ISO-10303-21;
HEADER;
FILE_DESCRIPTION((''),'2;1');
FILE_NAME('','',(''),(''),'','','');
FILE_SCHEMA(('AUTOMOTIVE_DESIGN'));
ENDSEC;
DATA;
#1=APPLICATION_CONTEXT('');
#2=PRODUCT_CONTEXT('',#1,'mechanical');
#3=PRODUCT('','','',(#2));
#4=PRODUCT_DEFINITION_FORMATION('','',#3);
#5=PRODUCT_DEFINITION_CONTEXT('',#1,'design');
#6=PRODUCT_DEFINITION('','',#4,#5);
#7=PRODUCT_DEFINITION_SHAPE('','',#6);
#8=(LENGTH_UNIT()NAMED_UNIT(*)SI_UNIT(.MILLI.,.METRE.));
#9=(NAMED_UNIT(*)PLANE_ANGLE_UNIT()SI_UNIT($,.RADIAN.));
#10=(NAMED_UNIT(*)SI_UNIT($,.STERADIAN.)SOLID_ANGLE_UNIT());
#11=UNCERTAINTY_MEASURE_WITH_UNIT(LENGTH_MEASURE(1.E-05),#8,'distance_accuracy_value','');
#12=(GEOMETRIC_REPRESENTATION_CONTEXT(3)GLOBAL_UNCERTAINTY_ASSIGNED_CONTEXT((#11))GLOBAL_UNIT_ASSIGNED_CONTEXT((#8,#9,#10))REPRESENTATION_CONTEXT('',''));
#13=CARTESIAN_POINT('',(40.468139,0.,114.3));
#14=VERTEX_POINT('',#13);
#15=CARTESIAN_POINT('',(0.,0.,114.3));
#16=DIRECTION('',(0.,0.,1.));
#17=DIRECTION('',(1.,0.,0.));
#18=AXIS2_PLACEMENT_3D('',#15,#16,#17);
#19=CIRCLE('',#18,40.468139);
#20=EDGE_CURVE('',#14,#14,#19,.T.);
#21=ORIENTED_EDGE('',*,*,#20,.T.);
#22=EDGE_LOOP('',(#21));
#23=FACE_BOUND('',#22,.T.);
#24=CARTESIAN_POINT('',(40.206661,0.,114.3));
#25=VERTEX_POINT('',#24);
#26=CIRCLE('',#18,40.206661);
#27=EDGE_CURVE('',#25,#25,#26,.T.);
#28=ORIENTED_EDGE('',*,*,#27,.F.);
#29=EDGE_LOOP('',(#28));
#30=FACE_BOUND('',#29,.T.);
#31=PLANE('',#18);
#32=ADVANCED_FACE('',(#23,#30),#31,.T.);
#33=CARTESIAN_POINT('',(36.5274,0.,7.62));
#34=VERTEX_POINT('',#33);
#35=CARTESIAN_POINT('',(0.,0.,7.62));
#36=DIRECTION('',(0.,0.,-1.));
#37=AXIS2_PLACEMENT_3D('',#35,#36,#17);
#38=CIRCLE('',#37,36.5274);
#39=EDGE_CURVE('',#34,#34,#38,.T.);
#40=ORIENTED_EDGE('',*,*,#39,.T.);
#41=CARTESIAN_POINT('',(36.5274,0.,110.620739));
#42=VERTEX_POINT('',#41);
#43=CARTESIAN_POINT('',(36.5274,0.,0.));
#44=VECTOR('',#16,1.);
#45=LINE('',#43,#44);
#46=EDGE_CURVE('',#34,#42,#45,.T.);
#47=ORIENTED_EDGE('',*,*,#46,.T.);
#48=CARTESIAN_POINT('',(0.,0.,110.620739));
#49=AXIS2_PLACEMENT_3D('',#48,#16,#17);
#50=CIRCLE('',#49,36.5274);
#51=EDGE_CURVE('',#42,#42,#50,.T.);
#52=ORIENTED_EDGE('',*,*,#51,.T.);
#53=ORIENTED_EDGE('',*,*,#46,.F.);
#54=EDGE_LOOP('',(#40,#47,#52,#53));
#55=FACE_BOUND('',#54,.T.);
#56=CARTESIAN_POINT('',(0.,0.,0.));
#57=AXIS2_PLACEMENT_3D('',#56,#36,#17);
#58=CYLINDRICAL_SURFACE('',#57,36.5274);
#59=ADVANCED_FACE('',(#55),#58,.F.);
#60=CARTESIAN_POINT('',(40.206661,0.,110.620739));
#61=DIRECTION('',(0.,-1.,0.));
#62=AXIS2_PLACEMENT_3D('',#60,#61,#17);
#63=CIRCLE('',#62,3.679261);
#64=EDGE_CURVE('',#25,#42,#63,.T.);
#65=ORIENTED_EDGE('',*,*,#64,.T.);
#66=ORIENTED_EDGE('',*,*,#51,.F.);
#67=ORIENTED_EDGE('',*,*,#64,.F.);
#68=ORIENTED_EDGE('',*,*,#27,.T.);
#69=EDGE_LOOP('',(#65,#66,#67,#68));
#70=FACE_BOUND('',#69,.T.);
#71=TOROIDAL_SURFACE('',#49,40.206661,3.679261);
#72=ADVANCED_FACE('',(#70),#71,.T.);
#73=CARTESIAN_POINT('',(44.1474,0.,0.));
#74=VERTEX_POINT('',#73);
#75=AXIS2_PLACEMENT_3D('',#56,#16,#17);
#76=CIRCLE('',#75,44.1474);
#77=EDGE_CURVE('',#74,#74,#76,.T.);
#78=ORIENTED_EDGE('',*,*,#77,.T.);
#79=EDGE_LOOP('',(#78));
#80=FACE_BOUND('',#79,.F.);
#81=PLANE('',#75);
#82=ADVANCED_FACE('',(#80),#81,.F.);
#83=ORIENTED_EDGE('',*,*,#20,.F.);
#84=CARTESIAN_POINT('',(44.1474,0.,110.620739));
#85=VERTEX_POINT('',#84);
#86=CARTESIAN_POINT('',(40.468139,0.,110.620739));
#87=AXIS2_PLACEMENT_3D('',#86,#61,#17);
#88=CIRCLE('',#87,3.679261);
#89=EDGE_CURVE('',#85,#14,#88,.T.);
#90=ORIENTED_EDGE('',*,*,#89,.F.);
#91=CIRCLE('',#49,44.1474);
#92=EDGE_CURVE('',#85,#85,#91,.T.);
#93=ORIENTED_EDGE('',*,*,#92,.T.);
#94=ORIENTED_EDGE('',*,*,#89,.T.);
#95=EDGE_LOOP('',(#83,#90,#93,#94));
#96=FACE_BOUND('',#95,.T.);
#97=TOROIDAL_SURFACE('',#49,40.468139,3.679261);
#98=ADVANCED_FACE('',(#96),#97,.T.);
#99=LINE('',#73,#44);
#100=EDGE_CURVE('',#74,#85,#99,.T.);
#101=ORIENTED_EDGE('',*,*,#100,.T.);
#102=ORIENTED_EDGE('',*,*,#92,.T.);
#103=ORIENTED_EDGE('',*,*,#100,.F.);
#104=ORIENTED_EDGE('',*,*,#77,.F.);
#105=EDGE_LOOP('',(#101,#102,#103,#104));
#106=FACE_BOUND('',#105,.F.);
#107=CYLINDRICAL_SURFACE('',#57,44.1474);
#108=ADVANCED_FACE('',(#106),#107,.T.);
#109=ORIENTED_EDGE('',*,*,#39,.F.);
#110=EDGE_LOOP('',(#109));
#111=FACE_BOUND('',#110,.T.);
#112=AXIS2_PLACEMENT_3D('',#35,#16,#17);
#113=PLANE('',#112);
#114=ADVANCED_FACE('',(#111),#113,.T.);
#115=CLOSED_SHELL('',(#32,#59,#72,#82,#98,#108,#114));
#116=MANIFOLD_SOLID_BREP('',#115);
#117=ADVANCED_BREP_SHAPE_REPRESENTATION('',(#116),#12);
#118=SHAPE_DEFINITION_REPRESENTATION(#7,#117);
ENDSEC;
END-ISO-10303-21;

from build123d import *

# Parameters (mm, degrees)
F0_R     = 44.1474000208
F1_DEPTH = 114.3
F2_T     = -7.62
F3_R     = 3.6792614691


with BuildPart() as f1:
    # F0 (on Top) → F1 (new body)
    with BuildSketch(Plane.XY):
        Circle(F0_R)
    extrude(amount=F1_DEPTH)

    # F2
    f2_openings = [f1.faces().sort_by_distance(p)[0] for p in [
        (0, 0, 114.3),
    ]]
    offset(amount=F2_T, openings=f2_openings)

    # F3
    f3_edges = [f1.edges().sort_by_distance(p)[0] for p in [
        (-44.1474, 0, 114.3),
        (-36.5274, 0, 114.3),
    ]]
    fillet(f3_edges, radius=F3_R)


solid = f1.part
